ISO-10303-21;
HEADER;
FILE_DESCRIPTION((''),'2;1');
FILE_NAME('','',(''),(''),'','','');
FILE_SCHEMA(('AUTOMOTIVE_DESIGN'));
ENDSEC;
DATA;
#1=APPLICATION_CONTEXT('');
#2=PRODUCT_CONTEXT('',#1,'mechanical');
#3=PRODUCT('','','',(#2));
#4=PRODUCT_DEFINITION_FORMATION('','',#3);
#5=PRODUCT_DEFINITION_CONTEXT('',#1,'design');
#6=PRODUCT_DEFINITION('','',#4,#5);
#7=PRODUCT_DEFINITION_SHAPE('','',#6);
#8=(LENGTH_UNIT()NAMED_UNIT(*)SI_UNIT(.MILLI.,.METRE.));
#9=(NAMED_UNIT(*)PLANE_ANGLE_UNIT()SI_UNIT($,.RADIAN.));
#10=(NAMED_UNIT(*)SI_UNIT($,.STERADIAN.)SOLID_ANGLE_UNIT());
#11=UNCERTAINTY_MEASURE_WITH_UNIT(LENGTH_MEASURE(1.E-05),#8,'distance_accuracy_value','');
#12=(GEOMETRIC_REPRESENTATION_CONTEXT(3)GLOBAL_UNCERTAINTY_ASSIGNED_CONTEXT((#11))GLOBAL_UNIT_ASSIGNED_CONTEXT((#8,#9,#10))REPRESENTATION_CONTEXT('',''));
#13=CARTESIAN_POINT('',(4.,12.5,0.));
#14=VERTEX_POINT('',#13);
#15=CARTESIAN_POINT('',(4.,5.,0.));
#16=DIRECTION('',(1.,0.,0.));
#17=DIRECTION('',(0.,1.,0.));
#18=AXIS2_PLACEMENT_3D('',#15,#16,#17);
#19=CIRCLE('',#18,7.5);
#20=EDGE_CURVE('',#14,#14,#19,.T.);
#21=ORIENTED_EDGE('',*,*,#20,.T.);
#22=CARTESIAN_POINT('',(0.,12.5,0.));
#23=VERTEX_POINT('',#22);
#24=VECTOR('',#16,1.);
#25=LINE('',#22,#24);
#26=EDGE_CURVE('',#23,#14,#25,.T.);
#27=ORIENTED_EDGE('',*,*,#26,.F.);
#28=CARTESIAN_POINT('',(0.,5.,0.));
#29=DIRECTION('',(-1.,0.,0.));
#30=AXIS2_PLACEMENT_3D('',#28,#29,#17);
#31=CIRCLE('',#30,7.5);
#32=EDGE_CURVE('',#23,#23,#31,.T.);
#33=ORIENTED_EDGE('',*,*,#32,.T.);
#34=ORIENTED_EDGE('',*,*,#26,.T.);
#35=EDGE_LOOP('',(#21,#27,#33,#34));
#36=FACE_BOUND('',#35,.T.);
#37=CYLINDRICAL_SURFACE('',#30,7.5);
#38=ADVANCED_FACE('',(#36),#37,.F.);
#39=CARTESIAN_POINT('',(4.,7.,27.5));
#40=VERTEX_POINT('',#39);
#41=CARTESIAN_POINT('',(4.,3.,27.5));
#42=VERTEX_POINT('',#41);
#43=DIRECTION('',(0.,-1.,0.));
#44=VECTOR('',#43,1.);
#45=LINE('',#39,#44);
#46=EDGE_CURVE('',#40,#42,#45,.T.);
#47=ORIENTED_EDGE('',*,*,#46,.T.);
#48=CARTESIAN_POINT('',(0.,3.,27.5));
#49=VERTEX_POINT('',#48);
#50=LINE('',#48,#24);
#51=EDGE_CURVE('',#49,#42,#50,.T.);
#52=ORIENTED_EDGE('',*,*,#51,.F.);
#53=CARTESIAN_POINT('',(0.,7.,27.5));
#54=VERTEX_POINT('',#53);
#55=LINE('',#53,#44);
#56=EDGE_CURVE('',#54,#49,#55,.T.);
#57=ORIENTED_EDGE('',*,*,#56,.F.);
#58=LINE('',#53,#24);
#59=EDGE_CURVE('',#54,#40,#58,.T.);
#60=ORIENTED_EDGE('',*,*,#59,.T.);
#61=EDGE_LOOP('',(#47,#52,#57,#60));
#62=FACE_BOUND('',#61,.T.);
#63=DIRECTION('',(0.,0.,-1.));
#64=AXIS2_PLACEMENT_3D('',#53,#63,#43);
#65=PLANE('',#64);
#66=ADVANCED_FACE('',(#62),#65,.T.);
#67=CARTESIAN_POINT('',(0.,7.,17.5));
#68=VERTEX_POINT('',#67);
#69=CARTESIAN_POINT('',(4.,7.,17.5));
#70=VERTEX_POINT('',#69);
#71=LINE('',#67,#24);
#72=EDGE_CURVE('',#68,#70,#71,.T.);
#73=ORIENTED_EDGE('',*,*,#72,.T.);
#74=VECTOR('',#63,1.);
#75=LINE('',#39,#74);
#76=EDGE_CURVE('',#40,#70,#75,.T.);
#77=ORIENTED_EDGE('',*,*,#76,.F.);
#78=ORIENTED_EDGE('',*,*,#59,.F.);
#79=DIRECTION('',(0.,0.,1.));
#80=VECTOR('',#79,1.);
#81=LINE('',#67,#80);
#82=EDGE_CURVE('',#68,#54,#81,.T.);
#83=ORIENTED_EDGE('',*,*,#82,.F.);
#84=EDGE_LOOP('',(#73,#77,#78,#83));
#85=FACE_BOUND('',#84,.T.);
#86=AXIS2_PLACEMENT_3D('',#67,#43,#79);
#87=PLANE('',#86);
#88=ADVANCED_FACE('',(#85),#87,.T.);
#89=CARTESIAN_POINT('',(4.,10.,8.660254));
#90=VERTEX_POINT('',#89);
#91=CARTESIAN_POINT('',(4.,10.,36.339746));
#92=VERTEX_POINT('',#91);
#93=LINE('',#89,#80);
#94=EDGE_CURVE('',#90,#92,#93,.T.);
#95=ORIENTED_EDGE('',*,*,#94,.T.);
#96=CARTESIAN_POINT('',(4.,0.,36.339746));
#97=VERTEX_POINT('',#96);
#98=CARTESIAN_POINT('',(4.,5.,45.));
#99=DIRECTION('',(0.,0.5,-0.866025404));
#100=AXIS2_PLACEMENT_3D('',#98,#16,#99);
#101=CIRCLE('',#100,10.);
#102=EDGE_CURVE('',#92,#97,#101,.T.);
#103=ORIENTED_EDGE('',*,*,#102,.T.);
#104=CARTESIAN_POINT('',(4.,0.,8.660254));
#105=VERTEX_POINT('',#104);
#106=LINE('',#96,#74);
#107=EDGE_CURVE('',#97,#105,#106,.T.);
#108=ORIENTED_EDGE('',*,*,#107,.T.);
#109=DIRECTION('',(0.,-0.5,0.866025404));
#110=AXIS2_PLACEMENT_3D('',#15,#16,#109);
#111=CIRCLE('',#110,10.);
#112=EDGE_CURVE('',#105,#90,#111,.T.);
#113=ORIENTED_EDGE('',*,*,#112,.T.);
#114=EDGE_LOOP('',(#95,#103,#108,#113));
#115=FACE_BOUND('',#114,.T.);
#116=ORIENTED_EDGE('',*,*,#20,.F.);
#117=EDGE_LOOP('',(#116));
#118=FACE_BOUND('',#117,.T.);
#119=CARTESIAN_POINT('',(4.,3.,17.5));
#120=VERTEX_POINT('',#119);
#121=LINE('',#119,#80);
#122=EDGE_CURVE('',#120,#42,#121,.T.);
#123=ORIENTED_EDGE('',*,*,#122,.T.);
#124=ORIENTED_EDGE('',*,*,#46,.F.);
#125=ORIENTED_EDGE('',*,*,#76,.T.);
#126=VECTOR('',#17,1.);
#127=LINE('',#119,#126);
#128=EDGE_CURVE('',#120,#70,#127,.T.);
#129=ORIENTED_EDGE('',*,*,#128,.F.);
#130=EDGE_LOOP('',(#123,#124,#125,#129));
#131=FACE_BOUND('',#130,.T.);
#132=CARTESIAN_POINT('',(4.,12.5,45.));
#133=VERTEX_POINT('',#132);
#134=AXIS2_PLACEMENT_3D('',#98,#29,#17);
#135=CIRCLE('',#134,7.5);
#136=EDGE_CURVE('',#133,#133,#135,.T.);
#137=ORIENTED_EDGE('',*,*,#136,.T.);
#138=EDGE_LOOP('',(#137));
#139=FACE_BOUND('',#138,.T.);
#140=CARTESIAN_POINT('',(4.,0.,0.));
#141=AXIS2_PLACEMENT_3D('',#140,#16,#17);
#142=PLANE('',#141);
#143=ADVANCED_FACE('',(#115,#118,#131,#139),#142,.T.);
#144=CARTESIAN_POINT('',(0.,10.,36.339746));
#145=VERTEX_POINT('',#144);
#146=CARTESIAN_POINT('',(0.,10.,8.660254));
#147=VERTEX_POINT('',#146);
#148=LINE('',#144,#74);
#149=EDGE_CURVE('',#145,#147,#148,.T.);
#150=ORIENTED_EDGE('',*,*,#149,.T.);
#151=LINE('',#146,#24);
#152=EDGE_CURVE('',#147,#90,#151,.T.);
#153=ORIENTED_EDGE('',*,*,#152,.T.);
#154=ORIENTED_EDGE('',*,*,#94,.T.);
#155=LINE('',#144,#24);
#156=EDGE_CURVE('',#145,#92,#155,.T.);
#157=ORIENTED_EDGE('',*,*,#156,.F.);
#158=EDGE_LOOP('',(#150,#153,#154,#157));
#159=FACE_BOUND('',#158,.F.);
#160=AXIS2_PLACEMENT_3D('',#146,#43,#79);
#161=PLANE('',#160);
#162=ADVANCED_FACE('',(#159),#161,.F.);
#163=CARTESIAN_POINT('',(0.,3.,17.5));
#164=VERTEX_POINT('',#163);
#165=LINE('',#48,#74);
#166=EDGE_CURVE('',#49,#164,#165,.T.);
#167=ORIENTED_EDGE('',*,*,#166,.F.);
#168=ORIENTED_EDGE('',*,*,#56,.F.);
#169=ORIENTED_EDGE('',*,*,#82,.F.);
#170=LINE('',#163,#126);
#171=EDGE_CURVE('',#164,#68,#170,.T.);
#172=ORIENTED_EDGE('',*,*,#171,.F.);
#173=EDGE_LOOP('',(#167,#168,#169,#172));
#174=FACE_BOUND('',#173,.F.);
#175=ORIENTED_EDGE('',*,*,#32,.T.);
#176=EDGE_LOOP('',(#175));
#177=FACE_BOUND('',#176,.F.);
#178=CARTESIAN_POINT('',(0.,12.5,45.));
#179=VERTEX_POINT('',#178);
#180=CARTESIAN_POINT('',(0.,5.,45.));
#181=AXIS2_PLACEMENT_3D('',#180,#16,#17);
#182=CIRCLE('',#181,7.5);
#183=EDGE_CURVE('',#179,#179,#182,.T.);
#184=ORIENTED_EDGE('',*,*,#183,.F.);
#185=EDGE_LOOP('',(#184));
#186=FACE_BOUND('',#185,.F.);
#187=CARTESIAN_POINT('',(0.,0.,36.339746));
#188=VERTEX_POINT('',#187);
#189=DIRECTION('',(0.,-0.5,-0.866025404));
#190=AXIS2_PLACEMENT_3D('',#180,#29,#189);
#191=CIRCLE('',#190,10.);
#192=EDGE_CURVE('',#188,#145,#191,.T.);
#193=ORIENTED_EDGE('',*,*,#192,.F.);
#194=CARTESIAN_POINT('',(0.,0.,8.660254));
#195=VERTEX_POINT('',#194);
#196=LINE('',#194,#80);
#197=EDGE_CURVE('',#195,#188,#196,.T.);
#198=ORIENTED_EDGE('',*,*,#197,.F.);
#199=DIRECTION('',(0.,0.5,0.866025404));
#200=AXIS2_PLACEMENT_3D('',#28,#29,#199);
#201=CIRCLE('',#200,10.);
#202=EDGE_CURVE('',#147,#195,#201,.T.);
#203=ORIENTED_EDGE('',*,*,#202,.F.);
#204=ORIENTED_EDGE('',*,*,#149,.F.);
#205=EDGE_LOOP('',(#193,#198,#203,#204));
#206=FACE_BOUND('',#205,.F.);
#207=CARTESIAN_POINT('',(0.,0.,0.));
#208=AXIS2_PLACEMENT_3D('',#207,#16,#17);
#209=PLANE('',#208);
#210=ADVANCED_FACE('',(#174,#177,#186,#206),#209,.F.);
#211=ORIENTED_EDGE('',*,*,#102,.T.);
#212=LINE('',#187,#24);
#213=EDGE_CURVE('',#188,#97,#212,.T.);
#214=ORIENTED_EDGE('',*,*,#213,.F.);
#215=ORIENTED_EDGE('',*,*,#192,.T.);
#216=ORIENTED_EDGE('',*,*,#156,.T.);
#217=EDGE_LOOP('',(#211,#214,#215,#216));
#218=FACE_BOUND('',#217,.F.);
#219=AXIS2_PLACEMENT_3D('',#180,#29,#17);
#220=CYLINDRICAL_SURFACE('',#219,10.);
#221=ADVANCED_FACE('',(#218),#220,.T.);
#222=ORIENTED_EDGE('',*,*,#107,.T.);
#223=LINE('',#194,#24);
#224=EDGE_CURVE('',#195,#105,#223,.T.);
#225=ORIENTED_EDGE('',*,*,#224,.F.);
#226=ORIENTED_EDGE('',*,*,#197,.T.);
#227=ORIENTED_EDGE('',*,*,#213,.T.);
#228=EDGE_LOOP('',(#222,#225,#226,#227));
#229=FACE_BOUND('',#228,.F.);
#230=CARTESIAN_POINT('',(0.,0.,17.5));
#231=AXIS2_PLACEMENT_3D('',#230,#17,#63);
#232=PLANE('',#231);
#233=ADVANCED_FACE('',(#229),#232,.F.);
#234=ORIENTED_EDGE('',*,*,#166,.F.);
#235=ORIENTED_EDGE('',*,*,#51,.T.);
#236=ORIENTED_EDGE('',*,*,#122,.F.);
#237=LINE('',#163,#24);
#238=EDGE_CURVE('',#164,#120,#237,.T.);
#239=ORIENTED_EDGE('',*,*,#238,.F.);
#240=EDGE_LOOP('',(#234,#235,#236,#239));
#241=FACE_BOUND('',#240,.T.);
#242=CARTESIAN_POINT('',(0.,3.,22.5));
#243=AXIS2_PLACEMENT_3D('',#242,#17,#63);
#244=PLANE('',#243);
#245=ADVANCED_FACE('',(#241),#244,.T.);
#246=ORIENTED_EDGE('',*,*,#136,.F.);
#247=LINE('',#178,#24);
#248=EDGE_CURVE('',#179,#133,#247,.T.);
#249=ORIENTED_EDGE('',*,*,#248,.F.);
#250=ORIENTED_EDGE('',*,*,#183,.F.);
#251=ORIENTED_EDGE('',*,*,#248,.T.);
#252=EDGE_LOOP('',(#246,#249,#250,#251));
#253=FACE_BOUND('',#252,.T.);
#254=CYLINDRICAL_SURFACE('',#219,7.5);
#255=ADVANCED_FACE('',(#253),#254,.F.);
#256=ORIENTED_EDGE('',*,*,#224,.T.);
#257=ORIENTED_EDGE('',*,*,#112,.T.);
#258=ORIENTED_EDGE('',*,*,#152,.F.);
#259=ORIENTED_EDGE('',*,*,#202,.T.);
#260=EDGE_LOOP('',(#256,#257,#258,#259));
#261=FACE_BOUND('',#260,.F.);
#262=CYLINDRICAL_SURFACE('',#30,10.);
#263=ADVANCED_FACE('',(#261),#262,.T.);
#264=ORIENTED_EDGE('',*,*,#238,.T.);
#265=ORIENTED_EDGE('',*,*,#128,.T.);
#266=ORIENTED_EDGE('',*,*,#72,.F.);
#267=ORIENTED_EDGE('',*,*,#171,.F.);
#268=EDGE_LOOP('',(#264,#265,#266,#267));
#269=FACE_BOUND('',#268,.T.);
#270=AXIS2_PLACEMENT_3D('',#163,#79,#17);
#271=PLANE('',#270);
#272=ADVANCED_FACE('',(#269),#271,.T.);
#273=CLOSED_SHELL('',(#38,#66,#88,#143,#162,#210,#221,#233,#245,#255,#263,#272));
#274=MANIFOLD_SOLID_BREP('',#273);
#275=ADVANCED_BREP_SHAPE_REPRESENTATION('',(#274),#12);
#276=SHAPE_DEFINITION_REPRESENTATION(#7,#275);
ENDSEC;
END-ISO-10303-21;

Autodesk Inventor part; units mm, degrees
ref_plane "YZ Plane" through (0, 0, 0) normal (1, 0, 0) x (0, 1, 0)
ref_plane "XZ Plane" through (0, 0, 0) normal (0, 1, 0) x (-1, 0, 0)
ref_plane "XY Plane" through (0, 0, 0) normal (0, 0, 1) x (1, 0, 0)
sketch "Эскиз1" plane through (0, 0, 0) normal (1, 0, 0) x (0, 1, 0)
  line L0 (0, 0) -> (10, 0)
  line L1 (10, 0) -> (10, 45)
  line L2 (10, 45) -> (0, 45)
  line L3 (0, 45) -> (0, 0)
  arc A0 (10, 45) -> (0, 45) centre (5, 45) ccw
  arc A1 (0, 0) -> (10, 0) centre (5, 0) ccw
  circle A2 centre (5, 45) radius 7.5
  circle A3 centre (5, 0) radius 7.5
  line L4 (0, 22.5) -> (10, 22.5)
  line L5 (0, 27.5) -> (-20, 27.5)
  line L6 (-20, 27.5) -> (-20, 17.5)
  line L7 (-20, 17.5) -> (0, 17.5)
  line L8 (0, 17.5) -> (0, 27.5)
  line L9 (7, 27.5) -> (3, 27.5)
  line L10 (3, 27.5) -> (3, 17.5)
  line L11 (3, 17.5) -> (7, 17.5)
  line L12 (7, 17.5) -> (7, 27.5)
  circle A4 centre (5, 45) radius 10
  circle A5 centre (5, 0) radius 10
  point P0 (0, 17.5)
  point P1 (0, 8.6603)
  point P2 (10, 8.6603)
  point P3 (10, 5.5902)
  point P4 (0, 5.5902)
  point P5 (10, 36.3397)
  point P6 (0, 36.3397)
  point P7 (0, 39.4098)
  point P8 (10, 39.4098)
  dimension "d0" = 45
  dimension "d1" = 10
  dimension "d2" = 15
  dimension "d3" = 15
  dimension "d6" = 10
  dimension "d7" = 20
  dimension "d8" = 10
  dimension "d9" = 20
  dimension "d10" = 20
extrude "Выдавливание1" add sketch "Эскиз1" along normal blind 4 contours A3 L1 A5 L3 | L3 A5 L1 A3 | L3 L4 L10 L11 L12 L1 A5 | L4 L12 L9 L10 L3 A4 L1 | A4 L3 A2 L1 | L1 A2 L3 A4
properties part number "соединение пушек"
